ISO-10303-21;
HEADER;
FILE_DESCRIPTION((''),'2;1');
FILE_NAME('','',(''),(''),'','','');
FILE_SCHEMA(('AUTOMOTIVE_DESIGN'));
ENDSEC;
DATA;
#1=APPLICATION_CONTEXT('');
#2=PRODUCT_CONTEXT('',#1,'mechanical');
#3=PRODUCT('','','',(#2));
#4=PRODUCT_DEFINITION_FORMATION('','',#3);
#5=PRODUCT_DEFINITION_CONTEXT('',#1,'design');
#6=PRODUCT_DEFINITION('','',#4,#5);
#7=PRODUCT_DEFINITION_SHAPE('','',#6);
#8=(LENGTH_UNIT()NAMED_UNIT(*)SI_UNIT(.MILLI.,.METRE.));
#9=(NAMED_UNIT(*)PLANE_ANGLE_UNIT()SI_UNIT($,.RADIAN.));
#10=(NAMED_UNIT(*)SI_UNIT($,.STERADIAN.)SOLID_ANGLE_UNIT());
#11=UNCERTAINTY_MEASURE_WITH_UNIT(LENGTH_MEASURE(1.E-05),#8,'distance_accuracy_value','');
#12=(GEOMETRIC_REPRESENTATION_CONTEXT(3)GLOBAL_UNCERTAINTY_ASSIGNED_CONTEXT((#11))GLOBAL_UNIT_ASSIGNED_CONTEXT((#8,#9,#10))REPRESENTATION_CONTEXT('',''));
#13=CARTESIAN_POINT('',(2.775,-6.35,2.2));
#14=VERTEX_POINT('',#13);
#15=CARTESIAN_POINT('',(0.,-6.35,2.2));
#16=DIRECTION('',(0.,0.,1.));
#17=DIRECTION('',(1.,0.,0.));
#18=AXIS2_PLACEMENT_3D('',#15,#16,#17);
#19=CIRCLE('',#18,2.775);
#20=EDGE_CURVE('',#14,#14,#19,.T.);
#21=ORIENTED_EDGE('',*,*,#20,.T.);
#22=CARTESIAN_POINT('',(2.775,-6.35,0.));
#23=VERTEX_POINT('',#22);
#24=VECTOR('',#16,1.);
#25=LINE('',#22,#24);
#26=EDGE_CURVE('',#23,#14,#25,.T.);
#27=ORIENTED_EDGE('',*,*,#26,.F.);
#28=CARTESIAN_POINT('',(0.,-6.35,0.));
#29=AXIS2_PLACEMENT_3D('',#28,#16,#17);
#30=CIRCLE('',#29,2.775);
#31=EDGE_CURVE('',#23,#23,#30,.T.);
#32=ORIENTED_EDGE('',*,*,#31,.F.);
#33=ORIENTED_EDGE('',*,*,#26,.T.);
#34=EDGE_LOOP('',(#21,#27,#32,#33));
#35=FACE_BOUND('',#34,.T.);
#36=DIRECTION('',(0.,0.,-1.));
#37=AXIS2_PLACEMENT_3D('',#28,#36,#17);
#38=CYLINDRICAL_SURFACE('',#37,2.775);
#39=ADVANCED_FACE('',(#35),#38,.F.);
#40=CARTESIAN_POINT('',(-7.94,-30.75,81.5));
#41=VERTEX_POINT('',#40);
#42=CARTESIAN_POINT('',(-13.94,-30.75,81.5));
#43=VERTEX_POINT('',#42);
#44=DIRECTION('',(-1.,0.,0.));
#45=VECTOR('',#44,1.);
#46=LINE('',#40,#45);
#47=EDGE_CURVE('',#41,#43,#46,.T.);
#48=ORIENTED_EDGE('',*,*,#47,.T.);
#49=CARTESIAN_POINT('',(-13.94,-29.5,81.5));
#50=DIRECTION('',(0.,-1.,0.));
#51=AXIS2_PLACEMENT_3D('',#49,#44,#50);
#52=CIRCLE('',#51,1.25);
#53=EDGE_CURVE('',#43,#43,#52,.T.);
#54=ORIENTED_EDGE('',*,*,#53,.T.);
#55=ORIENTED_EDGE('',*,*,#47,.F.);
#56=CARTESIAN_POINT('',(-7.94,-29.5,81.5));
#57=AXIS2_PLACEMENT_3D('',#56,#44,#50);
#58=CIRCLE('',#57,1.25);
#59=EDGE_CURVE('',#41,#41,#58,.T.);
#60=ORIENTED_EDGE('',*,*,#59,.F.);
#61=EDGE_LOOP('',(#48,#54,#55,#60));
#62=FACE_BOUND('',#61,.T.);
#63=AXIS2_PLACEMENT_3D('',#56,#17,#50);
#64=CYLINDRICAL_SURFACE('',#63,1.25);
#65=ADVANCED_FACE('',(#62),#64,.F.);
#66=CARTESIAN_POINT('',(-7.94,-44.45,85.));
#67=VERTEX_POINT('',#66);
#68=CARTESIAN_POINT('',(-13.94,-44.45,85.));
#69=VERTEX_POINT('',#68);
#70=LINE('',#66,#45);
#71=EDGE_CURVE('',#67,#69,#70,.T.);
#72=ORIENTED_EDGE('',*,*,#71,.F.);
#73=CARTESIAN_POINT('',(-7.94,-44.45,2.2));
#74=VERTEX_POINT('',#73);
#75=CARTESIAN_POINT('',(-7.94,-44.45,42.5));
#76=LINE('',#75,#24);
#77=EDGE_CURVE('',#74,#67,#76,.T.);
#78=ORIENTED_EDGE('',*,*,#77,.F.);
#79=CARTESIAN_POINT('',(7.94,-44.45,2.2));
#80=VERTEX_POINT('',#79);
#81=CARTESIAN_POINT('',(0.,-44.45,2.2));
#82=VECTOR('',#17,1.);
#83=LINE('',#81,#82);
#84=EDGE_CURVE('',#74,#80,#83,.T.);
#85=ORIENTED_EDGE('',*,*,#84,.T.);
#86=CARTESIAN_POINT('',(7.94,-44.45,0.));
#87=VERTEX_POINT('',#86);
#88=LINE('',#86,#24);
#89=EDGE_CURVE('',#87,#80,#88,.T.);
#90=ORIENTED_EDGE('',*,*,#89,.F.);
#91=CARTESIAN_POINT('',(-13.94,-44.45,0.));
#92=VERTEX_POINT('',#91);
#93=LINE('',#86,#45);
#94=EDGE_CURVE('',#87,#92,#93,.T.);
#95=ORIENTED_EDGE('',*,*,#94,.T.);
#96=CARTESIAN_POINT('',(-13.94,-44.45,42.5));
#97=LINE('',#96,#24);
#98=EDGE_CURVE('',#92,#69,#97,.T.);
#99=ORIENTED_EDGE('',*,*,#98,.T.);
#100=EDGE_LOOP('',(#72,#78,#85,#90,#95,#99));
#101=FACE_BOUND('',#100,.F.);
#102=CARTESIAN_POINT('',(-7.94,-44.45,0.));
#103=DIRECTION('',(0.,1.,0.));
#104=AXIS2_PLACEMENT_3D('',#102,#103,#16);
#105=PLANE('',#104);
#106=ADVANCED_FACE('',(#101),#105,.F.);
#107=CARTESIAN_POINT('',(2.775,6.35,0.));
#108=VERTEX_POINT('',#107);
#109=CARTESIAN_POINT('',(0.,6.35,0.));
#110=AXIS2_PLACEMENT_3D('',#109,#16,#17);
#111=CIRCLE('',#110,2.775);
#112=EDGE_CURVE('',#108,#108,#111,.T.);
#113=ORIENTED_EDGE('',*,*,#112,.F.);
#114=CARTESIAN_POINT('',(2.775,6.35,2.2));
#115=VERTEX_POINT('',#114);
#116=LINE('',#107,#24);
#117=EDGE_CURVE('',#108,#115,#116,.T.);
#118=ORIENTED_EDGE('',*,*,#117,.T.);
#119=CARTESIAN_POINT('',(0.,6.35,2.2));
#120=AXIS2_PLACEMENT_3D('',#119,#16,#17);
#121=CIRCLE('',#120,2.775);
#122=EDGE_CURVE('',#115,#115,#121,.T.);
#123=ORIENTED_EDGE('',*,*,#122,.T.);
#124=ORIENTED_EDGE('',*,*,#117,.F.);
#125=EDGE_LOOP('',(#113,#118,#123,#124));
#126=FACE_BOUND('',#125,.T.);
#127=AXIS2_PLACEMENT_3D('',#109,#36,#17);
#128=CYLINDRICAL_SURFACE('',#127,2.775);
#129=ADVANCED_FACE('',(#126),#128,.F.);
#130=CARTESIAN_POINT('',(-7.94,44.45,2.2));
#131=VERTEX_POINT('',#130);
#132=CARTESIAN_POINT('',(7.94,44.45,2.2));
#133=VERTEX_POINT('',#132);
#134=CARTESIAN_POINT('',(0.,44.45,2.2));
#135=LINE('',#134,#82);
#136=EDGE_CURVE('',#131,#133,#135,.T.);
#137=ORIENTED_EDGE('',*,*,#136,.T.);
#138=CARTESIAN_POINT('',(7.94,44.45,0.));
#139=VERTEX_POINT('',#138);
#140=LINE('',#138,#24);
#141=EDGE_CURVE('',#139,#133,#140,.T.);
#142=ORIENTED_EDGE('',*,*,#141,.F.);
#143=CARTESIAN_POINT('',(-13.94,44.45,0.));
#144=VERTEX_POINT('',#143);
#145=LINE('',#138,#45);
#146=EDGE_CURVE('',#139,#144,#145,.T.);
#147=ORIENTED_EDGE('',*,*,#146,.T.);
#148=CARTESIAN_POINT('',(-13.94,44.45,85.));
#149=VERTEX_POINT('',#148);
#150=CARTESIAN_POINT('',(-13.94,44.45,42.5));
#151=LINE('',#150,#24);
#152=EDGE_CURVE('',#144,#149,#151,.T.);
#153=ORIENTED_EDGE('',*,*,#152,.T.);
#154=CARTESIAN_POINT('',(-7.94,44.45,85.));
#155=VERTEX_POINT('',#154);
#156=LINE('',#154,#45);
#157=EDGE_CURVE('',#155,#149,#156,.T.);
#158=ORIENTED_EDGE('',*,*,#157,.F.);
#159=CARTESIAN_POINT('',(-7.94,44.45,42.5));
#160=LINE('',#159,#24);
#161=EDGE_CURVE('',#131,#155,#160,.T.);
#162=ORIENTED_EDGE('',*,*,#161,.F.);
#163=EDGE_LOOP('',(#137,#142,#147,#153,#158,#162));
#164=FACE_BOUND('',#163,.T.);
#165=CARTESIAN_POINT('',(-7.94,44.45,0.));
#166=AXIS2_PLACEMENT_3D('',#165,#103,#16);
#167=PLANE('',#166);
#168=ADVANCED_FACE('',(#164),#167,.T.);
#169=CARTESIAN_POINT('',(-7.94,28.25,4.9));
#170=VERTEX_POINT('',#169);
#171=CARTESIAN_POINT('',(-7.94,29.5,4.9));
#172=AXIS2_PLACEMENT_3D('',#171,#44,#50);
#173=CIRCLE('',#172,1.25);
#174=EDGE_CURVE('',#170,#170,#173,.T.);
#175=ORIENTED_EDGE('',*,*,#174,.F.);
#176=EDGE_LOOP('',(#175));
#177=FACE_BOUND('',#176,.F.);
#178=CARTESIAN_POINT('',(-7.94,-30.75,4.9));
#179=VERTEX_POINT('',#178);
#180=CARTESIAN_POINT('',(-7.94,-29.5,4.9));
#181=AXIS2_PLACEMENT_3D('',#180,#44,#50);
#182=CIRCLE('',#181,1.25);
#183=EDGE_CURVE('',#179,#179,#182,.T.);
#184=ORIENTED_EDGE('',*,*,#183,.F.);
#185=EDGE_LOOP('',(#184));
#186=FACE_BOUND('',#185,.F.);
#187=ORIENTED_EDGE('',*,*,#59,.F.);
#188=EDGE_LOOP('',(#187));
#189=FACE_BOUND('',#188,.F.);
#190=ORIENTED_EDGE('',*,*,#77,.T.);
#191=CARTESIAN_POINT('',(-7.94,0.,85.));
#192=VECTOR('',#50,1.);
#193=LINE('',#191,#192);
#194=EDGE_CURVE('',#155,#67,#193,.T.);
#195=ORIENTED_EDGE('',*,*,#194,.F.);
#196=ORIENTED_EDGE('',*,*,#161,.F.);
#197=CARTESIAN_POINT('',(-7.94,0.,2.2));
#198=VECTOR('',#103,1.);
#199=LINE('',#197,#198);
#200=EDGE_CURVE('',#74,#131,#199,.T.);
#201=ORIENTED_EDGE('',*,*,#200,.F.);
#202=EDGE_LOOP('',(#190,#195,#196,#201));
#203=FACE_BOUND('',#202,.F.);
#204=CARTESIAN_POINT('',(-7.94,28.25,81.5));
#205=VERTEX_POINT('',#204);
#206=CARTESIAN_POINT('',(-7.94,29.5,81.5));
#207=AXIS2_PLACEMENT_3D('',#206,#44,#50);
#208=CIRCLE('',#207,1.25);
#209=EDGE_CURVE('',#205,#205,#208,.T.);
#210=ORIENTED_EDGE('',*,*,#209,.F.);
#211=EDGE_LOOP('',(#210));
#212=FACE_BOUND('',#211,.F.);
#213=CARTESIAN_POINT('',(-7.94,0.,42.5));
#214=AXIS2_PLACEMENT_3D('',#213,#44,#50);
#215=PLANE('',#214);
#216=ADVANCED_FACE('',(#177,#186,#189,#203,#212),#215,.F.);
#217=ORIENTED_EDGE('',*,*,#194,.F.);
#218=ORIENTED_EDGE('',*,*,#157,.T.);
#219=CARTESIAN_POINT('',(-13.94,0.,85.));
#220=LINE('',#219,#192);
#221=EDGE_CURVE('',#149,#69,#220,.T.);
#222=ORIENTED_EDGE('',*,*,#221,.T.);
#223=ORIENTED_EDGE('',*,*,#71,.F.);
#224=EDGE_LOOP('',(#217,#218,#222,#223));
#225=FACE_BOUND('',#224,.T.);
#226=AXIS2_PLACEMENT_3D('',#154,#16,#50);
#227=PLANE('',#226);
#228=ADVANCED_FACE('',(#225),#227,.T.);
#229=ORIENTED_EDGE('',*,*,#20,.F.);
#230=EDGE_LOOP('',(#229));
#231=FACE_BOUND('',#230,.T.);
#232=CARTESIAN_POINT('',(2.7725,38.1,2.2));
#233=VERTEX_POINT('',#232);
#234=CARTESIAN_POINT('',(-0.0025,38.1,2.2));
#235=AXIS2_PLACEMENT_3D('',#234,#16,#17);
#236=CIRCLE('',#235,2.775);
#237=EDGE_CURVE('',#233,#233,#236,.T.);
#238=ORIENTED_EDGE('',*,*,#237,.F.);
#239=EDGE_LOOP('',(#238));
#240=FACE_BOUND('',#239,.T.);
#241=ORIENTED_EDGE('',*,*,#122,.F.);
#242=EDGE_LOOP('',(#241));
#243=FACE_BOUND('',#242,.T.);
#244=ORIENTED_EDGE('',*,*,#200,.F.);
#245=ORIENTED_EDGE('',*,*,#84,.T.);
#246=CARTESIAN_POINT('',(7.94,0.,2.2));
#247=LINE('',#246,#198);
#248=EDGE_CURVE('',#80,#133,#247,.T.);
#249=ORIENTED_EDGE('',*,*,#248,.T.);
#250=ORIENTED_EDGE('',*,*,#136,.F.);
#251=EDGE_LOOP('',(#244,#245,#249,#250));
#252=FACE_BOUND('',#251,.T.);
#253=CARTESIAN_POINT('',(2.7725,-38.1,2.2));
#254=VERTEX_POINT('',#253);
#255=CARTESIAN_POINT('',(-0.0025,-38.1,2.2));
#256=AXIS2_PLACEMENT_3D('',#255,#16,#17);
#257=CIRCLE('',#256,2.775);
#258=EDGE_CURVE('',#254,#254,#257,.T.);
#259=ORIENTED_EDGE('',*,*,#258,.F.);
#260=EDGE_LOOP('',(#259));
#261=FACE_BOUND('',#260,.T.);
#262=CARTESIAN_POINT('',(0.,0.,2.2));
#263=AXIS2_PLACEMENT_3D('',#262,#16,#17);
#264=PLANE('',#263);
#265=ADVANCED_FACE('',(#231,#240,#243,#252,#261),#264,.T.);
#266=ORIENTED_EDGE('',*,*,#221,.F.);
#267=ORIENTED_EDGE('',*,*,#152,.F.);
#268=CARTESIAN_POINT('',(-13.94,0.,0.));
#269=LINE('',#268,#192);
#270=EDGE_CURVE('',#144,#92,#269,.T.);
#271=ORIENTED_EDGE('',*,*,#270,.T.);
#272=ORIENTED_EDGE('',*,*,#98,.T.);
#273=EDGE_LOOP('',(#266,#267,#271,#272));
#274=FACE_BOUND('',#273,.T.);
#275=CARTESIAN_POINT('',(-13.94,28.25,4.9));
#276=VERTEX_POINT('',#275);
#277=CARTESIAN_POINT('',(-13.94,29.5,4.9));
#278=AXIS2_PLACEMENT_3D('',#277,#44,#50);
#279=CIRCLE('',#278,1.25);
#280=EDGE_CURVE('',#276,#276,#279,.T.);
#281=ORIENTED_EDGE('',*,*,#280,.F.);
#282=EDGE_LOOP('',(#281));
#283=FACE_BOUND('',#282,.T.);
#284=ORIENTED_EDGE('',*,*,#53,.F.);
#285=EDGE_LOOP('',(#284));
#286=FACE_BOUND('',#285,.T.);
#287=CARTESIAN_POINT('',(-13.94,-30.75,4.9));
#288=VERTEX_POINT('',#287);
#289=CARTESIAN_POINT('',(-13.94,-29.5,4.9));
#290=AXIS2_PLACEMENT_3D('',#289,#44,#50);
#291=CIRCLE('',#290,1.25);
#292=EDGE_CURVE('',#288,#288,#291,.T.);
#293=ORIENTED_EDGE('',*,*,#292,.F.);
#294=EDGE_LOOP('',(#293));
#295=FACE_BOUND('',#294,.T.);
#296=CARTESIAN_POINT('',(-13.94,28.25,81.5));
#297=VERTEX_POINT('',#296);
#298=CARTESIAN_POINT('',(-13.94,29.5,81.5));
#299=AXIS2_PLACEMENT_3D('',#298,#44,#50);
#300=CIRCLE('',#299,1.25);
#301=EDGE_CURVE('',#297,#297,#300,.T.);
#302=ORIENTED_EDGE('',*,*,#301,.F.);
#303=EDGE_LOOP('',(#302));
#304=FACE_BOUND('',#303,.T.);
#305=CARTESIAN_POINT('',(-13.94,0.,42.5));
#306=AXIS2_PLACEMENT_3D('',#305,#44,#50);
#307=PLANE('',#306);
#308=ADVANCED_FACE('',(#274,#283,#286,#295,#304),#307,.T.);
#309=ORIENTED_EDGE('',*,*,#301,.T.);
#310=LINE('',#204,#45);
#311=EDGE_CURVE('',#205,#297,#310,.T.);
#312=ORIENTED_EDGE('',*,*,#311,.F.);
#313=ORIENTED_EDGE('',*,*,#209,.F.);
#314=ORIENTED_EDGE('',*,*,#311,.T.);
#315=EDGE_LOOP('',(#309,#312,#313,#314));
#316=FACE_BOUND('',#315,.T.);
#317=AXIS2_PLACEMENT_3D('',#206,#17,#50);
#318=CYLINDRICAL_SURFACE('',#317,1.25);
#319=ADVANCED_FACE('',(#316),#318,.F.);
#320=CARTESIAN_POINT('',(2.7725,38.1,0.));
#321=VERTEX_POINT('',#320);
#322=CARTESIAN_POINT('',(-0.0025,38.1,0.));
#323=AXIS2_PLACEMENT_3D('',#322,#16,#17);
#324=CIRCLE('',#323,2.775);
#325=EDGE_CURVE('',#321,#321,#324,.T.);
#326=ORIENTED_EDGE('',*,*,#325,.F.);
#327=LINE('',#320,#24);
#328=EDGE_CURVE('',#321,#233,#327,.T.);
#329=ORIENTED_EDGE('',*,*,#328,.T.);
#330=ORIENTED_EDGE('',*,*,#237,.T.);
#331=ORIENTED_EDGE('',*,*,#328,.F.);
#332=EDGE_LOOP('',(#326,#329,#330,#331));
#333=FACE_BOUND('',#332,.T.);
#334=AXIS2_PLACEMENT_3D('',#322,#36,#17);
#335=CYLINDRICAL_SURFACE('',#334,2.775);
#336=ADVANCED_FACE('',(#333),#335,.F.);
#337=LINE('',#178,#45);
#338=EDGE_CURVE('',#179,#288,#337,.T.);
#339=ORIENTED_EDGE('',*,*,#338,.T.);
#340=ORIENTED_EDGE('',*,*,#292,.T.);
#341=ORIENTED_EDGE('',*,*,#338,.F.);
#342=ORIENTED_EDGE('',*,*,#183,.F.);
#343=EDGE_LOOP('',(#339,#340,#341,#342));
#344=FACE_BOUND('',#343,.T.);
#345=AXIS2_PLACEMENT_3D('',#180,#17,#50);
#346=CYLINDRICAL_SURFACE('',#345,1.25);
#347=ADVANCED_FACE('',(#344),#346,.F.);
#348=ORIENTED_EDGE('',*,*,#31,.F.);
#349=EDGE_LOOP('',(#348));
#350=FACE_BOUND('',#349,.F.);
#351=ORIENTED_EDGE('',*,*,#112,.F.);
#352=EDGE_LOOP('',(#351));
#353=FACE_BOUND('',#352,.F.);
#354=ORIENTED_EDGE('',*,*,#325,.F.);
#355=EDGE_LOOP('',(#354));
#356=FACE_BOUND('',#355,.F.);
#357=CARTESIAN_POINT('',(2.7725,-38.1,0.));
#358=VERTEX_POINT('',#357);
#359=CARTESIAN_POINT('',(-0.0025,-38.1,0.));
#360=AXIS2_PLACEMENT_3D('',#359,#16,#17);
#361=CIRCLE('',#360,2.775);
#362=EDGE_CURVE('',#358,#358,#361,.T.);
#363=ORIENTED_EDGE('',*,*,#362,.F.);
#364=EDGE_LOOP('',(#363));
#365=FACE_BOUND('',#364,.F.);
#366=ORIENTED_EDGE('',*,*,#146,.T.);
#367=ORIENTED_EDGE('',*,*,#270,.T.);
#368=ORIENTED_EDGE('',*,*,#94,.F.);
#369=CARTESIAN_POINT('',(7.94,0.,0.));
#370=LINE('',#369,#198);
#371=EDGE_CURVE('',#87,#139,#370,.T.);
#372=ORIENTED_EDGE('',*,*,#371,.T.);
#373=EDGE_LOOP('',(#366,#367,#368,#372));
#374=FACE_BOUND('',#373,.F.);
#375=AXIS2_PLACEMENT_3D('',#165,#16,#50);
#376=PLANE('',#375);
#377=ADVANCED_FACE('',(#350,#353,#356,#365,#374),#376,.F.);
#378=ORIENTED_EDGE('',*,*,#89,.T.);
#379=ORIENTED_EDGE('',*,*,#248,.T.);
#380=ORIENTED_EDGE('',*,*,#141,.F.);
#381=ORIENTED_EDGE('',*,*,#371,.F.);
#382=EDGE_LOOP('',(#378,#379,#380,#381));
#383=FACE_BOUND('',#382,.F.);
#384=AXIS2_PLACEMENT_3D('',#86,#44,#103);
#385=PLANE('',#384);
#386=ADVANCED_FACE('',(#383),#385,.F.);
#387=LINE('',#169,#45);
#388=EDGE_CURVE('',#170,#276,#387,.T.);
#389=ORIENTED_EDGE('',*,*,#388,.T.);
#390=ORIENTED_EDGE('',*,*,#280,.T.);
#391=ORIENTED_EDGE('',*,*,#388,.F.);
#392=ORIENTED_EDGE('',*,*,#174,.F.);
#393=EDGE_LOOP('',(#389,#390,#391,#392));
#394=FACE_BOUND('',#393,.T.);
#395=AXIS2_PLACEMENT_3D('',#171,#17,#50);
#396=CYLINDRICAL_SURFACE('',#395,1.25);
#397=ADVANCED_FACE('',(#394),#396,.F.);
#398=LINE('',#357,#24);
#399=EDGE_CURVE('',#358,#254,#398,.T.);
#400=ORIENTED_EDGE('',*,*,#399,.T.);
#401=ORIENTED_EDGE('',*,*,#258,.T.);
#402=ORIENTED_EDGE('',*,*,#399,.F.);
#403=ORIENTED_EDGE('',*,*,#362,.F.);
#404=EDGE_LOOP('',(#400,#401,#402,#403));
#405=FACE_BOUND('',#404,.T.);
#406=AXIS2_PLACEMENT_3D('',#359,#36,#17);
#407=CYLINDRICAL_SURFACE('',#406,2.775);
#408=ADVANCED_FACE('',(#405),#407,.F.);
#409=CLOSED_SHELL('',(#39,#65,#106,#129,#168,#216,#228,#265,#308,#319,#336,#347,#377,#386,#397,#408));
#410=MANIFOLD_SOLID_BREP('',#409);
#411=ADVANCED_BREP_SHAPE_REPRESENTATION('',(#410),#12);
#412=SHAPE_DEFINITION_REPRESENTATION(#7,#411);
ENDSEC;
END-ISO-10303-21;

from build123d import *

# Parameters (mm, degrees)
SKETCH_W     = 15.88
SKETCH_H     = 88.9
SKETCH_R     = 2.775
PAD_DEPTH    = 2.2
SKETCH001_W  = 88.9
SKETCH001_H  = 85
SKETCH001_R  = 1.25
PAD001_DEPTH = 6


with BuildPart() as part:
    # Sketch → Pad (new body)
    with BuildSketch(Plane.XY):
        Rectangle(SKETCH_W, SKETCH_H)
        with Locations((-0.0025, 38.1)):
            Circle(SKETCH_R, mode=Mode.SUBTRACT)
        with Locations((-0.0025, -38.1)):
            Circle(SKETCH_R, mode=Mode.SUBTRACT)
        with Locations((0, -6.35)):
            Circle(SKETCH_R, mode=Mode.SUBTRACT)
        with Locations((0, 6.35)):
            Circle(SKETCH_R, mode=Mode.SUBTRACT)
    extrude(amount=PAD_DEPTH)

    # Sketch001 (on Face4 of Pad) → Pad001 (join)
    with BuildSketch(Plane(origin=(-7.94, 0, 0), x_dir=(0, -1, 0), z_dir=(-1, 0, 0))):
        with Locations((0, 42.5)):
            Rectangle(SKETCH001_W, SKETCH001_H)
        with Locations((-29.5, 4.9)):
            Circle(SKETCH001_R, mode=Mode.SUBTRACT)
        with Locations((29.5, 4.9)):
            Circle(SKETCH001_R, mode=Mode.SUBTRACT)
        with Locations((29.5, 81.5)):
            Circle(SKETCH001_R, mode=Mode.SUBTRACT)
        with Locations((-29.5, 81.5)):
            Circle(SKETCH001_R, mode=Mode.SUBTRACT)
    extrude(amount=PAD001_DEPTH)


solid = part.part
